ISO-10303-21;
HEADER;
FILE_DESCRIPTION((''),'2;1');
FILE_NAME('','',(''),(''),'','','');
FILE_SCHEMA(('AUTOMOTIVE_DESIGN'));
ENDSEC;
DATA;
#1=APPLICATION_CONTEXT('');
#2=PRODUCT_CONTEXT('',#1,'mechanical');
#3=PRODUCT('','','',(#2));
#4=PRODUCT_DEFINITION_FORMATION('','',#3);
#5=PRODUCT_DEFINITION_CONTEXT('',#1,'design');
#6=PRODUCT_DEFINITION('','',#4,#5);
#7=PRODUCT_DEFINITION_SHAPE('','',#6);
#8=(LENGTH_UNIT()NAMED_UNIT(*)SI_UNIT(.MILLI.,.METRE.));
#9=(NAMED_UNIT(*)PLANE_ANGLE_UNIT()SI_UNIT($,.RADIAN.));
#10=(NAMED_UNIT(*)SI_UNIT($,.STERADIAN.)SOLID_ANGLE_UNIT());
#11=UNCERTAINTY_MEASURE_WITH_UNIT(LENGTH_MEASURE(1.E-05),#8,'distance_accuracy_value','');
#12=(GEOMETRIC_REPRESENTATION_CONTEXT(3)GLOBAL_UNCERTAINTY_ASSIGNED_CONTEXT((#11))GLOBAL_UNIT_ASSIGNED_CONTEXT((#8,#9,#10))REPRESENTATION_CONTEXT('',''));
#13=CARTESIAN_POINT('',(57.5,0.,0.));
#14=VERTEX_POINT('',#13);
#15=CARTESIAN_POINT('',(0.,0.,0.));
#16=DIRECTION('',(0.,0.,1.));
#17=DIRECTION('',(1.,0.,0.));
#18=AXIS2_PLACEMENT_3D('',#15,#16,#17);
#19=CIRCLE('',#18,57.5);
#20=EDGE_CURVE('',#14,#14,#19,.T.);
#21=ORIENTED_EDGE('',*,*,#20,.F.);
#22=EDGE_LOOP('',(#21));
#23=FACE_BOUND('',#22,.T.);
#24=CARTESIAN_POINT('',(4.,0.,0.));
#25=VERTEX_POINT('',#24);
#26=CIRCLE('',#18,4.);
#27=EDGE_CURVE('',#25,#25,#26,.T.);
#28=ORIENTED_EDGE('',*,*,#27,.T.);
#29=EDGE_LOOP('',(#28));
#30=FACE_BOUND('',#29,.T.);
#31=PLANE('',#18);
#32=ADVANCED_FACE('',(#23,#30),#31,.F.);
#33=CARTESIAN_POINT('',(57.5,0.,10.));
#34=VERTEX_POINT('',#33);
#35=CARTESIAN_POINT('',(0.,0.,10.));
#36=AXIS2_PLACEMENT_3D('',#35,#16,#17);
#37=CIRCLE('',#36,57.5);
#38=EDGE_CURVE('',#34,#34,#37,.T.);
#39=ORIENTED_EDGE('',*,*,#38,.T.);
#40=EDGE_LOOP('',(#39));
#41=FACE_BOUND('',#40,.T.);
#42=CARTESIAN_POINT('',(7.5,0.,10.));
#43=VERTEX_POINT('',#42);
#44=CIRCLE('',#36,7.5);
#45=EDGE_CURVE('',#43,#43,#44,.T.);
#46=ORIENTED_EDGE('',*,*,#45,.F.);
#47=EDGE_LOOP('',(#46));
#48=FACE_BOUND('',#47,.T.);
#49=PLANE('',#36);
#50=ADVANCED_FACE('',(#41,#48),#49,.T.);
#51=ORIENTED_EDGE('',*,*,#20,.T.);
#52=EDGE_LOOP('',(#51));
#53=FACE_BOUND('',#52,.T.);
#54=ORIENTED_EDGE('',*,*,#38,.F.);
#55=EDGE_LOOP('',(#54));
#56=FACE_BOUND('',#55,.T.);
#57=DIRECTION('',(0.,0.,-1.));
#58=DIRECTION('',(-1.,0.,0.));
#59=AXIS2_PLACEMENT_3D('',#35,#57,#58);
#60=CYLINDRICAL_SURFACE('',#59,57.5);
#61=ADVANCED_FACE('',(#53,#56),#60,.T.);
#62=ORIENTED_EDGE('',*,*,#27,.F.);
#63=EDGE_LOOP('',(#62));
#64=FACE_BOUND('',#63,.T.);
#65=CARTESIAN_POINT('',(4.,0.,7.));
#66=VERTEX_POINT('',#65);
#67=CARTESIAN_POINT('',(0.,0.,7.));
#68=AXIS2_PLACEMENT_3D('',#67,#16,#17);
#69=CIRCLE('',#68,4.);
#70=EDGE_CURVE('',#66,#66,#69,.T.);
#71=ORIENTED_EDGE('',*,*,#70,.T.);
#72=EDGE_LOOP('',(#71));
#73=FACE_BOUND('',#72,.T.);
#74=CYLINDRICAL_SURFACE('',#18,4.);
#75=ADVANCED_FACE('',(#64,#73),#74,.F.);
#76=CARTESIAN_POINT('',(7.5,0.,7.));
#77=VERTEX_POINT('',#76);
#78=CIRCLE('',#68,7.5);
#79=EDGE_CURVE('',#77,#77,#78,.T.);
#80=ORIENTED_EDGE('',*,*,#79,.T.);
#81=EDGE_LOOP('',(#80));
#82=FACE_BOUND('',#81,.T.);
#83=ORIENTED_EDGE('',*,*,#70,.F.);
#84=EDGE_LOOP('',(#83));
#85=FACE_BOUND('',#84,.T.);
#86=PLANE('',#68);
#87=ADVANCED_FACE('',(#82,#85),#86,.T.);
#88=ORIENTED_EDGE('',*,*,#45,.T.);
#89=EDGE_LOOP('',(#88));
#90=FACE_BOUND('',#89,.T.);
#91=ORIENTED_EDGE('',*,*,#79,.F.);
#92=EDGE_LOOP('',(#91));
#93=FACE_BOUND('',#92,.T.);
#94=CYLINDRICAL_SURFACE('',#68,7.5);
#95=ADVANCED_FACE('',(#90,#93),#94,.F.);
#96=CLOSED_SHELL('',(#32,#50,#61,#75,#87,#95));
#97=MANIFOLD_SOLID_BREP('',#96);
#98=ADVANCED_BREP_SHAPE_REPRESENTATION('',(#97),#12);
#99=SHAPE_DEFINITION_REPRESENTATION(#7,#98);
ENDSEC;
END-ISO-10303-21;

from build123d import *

# Parameters (mm, degrees)
SKETCH1_R           = 57.5
BOSS_EXTRUDE1_DEPTH = 10
SKETCH2_R           = 7.5
SKETCH2_R_2         = 4
CUT_EXTRUDE1_DEPTH  = 3
SKETCH2_2_R         = 4
CUT_EXTRUDE2_DEPTH  = 82.929848041


with BuildPart() as part:
    # Sketch1 → Boss-Extrude1 (new body)
    with BuildSketch(Plane.XY):
        Circle(SKETCH1_R)
    extrude(amount=BOSS_EXTRUDE1_DEPTH)

    # Sketch2 → Cut-Extrude1 (cut)
    with BuildSketch(Plane.XY.offset(10)):
        Circle(SKETCH2_R)
        Circle(SKETCH2_R_2, mode=Mode.SUBTRACT)
    extrude(amount=-CUT_EXTRUDE1_DEPTH, mode=Mode.SUBTRACT)

    # Sketch2<2> → Cut-Extrude2 (cut, through all)
    with BuildSketch(Plane.XY.offset(10)):
        Circle(SKETCH2_2_R)
    extrude(amount=-CUT_EXTRUDE2_DEPTH, mode=Mode.SUBTRACT)


solid = part.part
